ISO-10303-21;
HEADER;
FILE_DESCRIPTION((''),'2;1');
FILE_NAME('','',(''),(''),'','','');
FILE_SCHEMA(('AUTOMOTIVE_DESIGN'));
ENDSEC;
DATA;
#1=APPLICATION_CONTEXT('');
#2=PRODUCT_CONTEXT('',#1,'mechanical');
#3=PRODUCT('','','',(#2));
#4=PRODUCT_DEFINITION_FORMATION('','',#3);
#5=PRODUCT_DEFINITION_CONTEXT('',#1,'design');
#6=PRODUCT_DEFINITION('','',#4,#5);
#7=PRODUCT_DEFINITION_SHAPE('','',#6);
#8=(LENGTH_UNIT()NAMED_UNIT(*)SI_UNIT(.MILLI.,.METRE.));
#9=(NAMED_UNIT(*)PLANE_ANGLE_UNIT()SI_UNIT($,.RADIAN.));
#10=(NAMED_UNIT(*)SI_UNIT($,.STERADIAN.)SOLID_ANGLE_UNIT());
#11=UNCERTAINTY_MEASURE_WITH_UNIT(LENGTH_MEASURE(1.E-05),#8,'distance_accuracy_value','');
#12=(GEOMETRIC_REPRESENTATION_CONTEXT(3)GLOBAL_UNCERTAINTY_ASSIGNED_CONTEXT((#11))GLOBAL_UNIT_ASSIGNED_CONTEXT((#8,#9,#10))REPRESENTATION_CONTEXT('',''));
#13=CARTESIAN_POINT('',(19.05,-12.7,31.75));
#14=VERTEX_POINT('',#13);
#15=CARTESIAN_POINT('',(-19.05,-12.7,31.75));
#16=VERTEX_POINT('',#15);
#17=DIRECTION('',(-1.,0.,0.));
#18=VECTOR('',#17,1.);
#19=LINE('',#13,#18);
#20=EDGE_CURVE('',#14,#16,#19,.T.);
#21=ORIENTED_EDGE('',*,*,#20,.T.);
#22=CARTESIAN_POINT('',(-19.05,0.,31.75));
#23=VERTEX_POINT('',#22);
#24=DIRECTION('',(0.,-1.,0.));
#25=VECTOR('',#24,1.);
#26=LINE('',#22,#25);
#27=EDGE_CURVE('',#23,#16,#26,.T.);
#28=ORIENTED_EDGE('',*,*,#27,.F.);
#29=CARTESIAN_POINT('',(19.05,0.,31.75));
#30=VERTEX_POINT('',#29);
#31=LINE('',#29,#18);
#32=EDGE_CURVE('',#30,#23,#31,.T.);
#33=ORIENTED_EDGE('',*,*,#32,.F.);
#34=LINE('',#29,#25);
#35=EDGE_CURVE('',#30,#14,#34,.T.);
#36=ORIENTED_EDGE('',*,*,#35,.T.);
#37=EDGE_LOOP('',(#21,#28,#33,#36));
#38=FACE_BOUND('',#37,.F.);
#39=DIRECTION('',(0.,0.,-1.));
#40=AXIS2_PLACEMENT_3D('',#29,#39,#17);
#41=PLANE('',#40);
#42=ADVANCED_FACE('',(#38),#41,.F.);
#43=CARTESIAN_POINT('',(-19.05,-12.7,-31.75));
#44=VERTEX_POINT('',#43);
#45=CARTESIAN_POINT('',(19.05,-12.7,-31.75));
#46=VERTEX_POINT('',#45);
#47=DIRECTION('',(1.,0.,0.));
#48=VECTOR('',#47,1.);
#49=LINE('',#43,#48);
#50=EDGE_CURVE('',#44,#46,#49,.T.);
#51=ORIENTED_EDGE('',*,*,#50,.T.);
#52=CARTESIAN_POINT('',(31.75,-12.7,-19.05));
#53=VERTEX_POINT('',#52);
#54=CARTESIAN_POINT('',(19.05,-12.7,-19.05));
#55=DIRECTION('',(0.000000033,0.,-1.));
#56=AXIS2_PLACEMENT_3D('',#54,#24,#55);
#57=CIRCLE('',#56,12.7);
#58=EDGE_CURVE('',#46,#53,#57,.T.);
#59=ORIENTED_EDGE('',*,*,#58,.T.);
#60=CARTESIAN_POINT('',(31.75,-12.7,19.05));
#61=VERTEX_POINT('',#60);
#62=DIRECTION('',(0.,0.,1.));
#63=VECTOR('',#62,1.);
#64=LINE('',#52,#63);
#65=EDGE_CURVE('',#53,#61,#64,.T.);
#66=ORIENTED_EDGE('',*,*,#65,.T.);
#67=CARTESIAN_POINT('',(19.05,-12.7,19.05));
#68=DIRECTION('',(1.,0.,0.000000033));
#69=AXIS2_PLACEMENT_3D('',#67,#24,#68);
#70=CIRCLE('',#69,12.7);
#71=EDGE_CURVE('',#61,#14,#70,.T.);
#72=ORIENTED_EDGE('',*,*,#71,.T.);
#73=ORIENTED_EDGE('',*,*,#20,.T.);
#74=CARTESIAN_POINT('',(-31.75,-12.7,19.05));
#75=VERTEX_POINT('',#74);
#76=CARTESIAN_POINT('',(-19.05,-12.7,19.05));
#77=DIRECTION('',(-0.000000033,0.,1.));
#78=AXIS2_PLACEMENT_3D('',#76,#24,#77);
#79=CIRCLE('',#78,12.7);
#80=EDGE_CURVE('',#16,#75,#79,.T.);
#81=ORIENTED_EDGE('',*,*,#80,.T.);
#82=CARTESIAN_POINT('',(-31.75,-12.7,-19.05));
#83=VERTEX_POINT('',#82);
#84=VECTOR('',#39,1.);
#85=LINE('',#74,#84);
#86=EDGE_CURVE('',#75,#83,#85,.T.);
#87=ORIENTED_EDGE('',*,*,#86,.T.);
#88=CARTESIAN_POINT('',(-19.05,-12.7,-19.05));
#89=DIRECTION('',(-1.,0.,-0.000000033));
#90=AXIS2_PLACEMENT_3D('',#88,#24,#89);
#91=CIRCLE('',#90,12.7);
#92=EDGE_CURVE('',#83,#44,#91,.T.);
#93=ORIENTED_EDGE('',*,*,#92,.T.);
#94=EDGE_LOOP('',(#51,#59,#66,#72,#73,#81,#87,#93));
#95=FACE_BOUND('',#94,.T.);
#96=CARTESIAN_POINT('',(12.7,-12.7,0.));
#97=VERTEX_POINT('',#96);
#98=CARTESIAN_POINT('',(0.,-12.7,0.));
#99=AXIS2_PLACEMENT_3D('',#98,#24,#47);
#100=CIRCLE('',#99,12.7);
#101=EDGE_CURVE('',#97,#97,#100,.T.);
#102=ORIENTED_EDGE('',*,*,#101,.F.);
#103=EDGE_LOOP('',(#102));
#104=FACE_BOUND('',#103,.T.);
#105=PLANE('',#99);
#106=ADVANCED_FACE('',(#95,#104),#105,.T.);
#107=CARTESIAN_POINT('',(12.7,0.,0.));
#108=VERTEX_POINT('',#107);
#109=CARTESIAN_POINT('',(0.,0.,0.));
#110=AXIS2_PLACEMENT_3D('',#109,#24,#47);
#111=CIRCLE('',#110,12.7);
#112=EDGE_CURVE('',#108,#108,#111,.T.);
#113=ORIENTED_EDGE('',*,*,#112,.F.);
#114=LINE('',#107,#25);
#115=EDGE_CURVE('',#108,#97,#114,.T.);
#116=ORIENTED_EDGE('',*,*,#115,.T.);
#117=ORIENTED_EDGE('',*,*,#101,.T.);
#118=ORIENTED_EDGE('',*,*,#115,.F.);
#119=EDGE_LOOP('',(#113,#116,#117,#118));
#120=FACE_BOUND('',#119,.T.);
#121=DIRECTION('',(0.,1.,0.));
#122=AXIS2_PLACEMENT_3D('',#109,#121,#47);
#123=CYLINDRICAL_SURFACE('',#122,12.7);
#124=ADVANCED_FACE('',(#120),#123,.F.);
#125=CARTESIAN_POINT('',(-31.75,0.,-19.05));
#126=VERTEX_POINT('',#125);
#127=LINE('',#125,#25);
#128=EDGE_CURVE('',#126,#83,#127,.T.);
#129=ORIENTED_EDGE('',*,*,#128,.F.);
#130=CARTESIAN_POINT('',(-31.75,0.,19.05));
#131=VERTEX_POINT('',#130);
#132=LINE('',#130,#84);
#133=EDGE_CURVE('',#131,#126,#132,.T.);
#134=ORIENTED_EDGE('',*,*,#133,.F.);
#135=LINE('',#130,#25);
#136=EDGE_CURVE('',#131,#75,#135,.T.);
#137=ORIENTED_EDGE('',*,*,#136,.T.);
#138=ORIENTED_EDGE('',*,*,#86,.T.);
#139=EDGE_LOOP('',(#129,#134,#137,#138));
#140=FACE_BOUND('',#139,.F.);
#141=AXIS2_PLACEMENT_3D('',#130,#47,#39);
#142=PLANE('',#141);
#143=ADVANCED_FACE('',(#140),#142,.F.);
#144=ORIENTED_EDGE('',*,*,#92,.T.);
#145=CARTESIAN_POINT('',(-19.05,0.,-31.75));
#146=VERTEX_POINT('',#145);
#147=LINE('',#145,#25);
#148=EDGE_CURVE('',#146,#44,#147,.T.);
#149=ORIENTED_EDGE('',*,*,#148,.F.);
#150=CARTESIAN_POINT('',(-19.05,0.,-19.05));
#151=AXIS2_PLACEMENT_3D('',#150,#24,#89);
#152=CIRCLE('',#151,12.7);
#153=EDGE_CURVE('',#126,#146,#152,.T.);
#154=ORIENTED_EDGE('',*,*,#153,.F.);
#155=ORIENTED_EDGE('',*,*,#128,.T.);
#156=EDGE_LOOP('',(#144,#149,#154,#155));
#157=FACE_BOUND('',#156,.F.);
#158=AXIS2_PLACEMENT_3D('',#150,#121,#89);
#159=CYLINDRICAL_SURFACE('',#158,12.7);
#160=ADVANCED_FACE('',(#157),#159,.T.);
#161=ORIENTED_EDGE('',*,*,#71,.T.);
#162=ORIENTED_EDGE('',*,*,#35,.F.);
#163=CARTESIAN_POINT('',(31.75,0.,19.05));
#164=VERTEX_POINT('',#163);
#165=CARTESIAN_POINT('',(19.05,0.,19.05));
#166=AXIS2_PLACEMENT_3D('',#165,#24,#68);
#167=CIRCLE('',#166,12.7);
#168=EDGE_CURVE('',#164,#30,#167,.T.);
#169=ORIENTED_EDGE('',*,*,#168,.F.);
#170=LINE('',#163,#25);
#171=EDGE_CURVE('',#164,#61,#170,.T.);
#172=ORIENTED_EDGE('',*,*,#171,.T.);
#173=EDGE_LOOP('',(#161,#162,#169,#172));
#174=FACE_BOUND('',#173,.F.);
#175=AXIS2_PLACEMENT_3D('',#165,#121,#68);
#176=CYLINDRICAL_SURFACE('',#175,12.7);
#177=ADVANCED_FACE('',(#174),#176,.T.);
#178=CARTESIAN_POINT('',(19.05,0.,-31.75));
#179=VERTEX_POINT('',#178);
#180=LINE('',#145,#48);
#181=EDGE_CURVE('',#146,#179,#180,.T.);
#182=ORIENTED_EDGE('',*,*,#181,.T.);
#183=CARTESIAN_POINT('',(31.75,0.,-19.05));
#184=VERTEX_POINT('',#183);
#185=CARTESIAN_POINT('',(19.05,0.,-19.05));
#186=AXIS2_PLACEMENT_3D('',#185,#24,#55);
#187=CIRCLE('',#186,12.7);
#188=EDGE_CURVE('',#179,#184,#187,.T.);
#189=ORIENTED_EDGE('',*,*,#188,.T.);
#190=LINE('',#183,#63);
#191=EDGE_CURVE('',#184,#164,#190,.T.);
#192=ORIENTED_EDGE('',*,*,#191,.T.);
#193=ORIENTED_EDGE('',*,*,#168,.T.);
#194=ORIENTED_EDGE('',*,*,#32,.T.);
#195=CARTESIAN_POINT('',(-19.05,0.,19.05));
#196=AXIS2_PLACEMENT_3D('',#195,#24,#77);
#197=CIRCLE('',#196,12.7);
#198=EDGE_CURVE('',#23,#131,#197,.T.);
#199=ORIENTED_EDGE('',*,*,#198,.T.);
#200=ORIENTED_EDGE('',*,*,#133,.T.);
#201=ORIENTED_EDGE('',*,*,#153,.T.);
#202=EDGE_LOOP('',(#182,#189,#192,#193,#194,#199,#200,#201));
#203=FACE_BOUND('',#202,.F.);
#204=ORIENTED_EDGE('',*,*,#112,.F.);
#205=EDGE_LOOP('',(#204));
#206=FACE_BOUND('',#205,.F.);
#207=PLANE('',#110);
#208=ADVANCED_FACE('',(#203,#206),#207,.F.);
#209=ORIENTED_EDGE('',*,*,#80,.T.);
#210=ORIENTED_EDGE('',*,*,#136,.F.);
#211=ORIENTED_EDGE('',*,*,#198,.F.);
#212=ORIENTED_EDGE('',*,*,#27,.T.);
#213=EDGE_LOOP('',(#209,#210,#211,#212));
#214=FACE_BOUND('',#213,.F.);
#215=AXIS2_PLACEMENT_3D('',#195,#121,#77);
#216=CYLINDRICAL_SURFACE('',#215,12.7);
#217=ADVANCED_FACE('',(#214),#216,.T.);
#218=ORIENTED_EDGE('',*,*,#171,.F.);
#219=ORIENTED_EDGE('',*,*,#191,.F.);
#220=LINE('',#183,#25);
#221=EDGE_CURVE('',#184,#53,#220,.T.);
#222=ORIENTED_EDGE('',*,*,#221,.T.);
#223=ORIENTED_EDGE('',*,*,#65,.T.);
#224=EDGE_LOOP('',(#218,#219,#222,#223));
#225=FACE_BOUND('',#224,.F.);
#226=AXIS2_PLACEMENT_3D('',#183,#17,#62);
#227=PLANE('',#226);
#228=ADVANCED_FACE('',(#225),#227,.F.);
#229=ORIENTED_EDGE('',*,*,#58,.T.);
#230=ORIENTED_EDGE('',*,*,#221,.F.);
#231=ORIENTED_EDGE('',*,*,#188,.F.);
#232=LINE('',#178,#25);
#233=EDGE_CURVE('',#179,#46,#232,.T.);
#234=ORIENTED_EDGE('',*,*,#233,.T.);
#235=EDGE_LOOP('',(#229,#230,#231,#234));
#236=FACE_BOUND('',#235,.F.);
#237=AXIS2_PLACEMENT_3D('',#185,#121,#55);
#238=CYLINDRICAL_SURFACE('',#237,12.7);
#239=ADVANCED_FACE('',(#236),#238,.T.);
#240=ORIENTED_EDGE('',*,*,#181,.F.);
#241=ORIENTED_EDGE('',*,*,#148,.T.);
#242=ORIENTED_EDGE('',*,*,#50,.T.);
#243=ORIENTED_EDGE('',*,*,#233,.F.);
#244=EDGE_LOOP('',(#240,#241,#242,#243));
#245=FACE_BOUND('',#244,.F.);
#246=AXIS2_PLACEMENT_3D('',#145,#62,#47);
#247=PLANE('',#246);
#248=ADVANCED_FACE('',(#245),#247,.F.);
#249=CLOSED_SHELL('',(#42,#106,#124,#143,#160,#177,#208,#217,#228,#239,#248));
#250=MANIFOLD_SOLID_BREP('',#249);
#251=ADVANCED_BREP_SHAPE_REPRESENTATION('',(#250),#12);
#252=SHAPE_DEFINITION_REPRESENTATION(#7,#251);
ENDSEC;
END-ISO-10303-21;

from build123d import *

# Parameters (mm, degrees)
F0_R     = 12.7
F1_DEPTH = 12.7


with BuildPart() as f1:
    # F0 (on Front) → F1 (new body)
    with BuildSketch(Plane.XZ):
        with BuildLine():
            ThreePointArc((31.75, 19.05), (28.030256, 28.030256), (19.05, 31.75))
            Line((19.05, 31.75), (-19.05, 31.75))
            ThreePointArc((-19.05, 31.75), (-28.030256, 28.030256), (-31.75, 19.05))
            Line((-31.75, 19.05), (-31.75, -19.05))
            ThreePointArc((-31.75, -19.05), (-28.030256, -28.030256), (-19.05, -31.75))
            Line((-19.05, -31.75), (19.05, -31.75))
            ThreePointArc((19.05, -31.75), (28.030256, -28.030256), (31.75, -19.05))
            Line((31.75, -19.05), (31.75, 19.05))
        make_face()
        Circle(F0_R, mode=Mode.SUBTRACT)
    extrude(amount=F1_DEPTH)


solid = f1.part
